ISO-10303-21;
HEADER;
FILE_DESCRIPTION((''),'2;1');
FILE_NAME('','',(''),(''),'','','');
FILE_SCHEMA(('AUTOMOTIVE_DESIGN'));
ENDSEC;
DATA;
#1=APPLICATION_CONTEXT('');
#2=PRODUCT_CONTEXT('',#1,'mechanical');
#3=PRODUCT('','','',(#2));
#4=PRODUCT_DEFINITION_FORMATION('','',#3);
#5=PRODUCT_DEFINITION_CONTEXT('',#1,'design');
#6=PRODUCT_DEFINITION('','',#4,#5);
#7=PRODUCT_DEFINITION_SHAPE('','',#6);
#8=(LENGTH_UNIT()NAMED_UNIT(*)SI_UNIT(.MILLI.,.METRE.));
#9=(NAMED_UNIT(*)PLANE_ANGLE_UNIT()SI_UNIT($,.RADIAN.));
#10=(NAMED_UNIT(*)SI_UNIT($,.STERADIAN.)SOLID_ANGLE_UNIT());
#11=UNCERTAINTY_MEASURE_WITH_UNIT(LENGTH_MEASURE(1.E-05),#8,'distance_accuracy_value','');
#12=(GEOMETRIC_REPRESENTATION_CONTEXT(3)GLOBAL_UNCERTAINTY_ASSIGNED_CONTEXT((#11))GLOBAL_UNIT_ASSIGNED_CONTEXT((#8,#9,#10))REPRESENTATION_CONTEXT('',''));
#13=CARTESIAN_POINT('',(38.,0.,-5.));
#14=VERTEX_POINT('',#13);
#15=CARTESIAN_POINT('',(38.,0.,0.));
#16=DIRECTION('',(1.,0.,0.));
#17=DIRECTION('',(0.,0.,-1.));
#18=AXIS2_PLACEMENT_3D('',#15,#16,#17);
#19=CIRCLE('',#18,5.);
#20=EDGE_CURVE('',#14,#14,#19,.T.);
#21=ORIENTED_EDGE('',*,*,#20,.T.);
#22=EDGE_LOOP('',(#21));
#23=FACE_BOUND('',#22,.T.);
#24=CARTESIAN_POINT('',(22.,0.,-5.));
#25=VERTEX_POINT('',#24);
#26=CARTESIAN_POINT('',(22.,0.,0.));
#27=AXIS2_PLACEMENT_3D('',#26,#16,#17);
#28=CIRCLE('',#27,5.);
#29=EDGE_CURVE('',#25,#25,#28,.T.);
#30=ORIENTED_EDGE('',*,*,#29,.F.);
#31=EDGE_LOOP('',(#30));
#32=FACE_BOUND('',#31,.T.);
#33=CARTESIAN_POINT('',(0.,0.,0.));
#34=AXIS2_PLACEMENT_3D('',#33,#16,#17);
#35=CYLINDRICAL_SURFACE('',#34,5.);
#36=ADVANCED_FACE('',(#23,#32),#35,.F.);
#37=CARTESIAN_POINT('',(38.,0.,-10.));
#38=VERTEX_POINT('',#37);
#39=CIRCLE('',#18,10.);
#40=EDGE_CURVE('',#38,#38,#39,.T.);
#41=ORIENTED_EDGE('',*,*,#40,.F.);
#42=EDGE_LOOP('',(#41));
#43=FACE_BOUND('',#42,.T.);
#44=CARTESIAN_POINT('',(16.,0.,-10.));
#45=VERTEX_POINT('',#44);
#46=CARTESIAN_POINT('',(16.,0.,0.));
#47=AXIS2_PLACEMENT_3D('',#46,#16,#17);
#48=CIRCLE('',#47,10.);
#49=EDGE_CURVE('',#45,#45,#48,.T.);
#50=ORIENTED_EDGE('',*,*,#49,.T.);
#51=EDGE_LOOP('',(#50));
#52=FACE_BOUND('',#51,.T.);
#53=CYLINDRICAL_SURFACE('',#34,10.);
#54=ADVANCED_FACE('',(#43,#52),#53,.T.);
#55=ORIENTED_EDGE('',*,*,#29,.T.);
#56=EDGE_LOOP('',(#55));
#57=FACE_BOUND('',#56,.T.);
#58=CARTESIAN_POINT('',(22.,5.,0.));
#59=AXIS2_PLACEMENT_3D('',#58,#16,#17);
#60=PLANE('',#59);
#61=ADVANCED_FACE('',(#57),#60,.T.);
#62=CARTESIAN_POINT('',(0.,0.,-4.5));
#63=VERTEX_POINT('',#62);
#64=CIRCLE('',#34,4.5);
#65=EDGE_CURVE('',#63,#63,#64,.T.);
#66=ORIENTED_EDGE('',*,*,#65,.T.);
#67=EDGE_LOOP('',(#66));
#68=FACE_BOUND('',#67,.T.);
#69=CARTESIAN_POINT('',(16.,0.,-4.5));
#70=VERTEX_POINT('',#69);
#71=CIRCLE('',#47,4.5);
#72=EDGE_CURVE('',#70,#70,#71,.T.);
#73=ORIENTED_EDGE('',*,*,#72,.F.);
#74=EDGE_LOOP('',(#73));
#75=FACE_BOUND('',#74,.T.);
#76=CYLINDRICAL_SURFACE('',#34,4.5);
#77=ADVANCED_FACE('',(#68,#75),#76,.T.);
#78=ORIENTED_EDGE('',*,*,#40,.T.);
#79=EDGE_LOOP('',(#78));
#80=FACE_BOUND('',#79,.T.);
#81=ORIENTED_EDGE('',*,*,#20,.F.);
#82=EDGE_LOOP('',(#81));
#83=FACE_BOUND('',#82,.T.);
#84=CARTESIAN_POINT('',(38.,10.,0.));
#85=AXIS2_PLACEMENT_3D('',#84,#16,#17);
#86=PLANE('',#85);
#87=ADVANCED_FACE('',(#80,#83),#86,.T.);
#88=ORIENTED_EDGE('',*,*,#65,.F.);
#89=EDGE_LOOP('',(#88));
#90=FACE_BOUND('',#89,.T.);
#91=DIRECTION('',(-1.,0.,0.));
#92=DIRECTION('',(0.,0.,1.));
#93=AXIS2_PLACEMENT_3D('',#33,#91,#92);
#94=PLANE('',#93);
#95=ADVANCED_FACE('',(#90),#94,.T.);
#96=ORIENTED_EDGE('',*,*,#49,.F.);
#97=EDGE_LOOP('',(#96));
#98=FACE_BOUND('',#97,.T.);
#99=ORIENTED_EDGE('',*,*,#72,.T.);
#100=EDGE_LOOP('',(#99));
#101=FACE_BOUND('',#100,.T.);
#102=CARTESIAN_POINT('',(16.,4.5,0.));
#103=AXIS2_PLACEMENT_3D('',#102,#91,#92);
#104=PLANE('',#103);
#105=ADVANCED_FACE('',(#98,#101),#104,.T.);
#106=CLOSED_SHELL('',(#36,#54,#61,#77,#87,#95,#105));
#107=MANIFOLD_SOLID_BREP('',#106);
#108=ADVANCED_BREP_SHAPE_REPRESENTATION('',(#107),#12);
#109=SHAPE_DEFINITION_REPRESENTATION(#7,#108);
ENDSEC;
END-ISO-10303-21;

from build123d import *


with BuildPart() as part:
    # Sketch1 → Revolve1 (revolve)
    with BuildSketch(Plane.XY):
        Polygon((0, 0), (0, 4.5), (16, 4.5), (16, 10), (38, 10), (38, 5), (22, 5), (22, 0), align=None)
    revolve(axis=Axis((0, 0, 0), (-1, 0, 0)))


solid = part.part
